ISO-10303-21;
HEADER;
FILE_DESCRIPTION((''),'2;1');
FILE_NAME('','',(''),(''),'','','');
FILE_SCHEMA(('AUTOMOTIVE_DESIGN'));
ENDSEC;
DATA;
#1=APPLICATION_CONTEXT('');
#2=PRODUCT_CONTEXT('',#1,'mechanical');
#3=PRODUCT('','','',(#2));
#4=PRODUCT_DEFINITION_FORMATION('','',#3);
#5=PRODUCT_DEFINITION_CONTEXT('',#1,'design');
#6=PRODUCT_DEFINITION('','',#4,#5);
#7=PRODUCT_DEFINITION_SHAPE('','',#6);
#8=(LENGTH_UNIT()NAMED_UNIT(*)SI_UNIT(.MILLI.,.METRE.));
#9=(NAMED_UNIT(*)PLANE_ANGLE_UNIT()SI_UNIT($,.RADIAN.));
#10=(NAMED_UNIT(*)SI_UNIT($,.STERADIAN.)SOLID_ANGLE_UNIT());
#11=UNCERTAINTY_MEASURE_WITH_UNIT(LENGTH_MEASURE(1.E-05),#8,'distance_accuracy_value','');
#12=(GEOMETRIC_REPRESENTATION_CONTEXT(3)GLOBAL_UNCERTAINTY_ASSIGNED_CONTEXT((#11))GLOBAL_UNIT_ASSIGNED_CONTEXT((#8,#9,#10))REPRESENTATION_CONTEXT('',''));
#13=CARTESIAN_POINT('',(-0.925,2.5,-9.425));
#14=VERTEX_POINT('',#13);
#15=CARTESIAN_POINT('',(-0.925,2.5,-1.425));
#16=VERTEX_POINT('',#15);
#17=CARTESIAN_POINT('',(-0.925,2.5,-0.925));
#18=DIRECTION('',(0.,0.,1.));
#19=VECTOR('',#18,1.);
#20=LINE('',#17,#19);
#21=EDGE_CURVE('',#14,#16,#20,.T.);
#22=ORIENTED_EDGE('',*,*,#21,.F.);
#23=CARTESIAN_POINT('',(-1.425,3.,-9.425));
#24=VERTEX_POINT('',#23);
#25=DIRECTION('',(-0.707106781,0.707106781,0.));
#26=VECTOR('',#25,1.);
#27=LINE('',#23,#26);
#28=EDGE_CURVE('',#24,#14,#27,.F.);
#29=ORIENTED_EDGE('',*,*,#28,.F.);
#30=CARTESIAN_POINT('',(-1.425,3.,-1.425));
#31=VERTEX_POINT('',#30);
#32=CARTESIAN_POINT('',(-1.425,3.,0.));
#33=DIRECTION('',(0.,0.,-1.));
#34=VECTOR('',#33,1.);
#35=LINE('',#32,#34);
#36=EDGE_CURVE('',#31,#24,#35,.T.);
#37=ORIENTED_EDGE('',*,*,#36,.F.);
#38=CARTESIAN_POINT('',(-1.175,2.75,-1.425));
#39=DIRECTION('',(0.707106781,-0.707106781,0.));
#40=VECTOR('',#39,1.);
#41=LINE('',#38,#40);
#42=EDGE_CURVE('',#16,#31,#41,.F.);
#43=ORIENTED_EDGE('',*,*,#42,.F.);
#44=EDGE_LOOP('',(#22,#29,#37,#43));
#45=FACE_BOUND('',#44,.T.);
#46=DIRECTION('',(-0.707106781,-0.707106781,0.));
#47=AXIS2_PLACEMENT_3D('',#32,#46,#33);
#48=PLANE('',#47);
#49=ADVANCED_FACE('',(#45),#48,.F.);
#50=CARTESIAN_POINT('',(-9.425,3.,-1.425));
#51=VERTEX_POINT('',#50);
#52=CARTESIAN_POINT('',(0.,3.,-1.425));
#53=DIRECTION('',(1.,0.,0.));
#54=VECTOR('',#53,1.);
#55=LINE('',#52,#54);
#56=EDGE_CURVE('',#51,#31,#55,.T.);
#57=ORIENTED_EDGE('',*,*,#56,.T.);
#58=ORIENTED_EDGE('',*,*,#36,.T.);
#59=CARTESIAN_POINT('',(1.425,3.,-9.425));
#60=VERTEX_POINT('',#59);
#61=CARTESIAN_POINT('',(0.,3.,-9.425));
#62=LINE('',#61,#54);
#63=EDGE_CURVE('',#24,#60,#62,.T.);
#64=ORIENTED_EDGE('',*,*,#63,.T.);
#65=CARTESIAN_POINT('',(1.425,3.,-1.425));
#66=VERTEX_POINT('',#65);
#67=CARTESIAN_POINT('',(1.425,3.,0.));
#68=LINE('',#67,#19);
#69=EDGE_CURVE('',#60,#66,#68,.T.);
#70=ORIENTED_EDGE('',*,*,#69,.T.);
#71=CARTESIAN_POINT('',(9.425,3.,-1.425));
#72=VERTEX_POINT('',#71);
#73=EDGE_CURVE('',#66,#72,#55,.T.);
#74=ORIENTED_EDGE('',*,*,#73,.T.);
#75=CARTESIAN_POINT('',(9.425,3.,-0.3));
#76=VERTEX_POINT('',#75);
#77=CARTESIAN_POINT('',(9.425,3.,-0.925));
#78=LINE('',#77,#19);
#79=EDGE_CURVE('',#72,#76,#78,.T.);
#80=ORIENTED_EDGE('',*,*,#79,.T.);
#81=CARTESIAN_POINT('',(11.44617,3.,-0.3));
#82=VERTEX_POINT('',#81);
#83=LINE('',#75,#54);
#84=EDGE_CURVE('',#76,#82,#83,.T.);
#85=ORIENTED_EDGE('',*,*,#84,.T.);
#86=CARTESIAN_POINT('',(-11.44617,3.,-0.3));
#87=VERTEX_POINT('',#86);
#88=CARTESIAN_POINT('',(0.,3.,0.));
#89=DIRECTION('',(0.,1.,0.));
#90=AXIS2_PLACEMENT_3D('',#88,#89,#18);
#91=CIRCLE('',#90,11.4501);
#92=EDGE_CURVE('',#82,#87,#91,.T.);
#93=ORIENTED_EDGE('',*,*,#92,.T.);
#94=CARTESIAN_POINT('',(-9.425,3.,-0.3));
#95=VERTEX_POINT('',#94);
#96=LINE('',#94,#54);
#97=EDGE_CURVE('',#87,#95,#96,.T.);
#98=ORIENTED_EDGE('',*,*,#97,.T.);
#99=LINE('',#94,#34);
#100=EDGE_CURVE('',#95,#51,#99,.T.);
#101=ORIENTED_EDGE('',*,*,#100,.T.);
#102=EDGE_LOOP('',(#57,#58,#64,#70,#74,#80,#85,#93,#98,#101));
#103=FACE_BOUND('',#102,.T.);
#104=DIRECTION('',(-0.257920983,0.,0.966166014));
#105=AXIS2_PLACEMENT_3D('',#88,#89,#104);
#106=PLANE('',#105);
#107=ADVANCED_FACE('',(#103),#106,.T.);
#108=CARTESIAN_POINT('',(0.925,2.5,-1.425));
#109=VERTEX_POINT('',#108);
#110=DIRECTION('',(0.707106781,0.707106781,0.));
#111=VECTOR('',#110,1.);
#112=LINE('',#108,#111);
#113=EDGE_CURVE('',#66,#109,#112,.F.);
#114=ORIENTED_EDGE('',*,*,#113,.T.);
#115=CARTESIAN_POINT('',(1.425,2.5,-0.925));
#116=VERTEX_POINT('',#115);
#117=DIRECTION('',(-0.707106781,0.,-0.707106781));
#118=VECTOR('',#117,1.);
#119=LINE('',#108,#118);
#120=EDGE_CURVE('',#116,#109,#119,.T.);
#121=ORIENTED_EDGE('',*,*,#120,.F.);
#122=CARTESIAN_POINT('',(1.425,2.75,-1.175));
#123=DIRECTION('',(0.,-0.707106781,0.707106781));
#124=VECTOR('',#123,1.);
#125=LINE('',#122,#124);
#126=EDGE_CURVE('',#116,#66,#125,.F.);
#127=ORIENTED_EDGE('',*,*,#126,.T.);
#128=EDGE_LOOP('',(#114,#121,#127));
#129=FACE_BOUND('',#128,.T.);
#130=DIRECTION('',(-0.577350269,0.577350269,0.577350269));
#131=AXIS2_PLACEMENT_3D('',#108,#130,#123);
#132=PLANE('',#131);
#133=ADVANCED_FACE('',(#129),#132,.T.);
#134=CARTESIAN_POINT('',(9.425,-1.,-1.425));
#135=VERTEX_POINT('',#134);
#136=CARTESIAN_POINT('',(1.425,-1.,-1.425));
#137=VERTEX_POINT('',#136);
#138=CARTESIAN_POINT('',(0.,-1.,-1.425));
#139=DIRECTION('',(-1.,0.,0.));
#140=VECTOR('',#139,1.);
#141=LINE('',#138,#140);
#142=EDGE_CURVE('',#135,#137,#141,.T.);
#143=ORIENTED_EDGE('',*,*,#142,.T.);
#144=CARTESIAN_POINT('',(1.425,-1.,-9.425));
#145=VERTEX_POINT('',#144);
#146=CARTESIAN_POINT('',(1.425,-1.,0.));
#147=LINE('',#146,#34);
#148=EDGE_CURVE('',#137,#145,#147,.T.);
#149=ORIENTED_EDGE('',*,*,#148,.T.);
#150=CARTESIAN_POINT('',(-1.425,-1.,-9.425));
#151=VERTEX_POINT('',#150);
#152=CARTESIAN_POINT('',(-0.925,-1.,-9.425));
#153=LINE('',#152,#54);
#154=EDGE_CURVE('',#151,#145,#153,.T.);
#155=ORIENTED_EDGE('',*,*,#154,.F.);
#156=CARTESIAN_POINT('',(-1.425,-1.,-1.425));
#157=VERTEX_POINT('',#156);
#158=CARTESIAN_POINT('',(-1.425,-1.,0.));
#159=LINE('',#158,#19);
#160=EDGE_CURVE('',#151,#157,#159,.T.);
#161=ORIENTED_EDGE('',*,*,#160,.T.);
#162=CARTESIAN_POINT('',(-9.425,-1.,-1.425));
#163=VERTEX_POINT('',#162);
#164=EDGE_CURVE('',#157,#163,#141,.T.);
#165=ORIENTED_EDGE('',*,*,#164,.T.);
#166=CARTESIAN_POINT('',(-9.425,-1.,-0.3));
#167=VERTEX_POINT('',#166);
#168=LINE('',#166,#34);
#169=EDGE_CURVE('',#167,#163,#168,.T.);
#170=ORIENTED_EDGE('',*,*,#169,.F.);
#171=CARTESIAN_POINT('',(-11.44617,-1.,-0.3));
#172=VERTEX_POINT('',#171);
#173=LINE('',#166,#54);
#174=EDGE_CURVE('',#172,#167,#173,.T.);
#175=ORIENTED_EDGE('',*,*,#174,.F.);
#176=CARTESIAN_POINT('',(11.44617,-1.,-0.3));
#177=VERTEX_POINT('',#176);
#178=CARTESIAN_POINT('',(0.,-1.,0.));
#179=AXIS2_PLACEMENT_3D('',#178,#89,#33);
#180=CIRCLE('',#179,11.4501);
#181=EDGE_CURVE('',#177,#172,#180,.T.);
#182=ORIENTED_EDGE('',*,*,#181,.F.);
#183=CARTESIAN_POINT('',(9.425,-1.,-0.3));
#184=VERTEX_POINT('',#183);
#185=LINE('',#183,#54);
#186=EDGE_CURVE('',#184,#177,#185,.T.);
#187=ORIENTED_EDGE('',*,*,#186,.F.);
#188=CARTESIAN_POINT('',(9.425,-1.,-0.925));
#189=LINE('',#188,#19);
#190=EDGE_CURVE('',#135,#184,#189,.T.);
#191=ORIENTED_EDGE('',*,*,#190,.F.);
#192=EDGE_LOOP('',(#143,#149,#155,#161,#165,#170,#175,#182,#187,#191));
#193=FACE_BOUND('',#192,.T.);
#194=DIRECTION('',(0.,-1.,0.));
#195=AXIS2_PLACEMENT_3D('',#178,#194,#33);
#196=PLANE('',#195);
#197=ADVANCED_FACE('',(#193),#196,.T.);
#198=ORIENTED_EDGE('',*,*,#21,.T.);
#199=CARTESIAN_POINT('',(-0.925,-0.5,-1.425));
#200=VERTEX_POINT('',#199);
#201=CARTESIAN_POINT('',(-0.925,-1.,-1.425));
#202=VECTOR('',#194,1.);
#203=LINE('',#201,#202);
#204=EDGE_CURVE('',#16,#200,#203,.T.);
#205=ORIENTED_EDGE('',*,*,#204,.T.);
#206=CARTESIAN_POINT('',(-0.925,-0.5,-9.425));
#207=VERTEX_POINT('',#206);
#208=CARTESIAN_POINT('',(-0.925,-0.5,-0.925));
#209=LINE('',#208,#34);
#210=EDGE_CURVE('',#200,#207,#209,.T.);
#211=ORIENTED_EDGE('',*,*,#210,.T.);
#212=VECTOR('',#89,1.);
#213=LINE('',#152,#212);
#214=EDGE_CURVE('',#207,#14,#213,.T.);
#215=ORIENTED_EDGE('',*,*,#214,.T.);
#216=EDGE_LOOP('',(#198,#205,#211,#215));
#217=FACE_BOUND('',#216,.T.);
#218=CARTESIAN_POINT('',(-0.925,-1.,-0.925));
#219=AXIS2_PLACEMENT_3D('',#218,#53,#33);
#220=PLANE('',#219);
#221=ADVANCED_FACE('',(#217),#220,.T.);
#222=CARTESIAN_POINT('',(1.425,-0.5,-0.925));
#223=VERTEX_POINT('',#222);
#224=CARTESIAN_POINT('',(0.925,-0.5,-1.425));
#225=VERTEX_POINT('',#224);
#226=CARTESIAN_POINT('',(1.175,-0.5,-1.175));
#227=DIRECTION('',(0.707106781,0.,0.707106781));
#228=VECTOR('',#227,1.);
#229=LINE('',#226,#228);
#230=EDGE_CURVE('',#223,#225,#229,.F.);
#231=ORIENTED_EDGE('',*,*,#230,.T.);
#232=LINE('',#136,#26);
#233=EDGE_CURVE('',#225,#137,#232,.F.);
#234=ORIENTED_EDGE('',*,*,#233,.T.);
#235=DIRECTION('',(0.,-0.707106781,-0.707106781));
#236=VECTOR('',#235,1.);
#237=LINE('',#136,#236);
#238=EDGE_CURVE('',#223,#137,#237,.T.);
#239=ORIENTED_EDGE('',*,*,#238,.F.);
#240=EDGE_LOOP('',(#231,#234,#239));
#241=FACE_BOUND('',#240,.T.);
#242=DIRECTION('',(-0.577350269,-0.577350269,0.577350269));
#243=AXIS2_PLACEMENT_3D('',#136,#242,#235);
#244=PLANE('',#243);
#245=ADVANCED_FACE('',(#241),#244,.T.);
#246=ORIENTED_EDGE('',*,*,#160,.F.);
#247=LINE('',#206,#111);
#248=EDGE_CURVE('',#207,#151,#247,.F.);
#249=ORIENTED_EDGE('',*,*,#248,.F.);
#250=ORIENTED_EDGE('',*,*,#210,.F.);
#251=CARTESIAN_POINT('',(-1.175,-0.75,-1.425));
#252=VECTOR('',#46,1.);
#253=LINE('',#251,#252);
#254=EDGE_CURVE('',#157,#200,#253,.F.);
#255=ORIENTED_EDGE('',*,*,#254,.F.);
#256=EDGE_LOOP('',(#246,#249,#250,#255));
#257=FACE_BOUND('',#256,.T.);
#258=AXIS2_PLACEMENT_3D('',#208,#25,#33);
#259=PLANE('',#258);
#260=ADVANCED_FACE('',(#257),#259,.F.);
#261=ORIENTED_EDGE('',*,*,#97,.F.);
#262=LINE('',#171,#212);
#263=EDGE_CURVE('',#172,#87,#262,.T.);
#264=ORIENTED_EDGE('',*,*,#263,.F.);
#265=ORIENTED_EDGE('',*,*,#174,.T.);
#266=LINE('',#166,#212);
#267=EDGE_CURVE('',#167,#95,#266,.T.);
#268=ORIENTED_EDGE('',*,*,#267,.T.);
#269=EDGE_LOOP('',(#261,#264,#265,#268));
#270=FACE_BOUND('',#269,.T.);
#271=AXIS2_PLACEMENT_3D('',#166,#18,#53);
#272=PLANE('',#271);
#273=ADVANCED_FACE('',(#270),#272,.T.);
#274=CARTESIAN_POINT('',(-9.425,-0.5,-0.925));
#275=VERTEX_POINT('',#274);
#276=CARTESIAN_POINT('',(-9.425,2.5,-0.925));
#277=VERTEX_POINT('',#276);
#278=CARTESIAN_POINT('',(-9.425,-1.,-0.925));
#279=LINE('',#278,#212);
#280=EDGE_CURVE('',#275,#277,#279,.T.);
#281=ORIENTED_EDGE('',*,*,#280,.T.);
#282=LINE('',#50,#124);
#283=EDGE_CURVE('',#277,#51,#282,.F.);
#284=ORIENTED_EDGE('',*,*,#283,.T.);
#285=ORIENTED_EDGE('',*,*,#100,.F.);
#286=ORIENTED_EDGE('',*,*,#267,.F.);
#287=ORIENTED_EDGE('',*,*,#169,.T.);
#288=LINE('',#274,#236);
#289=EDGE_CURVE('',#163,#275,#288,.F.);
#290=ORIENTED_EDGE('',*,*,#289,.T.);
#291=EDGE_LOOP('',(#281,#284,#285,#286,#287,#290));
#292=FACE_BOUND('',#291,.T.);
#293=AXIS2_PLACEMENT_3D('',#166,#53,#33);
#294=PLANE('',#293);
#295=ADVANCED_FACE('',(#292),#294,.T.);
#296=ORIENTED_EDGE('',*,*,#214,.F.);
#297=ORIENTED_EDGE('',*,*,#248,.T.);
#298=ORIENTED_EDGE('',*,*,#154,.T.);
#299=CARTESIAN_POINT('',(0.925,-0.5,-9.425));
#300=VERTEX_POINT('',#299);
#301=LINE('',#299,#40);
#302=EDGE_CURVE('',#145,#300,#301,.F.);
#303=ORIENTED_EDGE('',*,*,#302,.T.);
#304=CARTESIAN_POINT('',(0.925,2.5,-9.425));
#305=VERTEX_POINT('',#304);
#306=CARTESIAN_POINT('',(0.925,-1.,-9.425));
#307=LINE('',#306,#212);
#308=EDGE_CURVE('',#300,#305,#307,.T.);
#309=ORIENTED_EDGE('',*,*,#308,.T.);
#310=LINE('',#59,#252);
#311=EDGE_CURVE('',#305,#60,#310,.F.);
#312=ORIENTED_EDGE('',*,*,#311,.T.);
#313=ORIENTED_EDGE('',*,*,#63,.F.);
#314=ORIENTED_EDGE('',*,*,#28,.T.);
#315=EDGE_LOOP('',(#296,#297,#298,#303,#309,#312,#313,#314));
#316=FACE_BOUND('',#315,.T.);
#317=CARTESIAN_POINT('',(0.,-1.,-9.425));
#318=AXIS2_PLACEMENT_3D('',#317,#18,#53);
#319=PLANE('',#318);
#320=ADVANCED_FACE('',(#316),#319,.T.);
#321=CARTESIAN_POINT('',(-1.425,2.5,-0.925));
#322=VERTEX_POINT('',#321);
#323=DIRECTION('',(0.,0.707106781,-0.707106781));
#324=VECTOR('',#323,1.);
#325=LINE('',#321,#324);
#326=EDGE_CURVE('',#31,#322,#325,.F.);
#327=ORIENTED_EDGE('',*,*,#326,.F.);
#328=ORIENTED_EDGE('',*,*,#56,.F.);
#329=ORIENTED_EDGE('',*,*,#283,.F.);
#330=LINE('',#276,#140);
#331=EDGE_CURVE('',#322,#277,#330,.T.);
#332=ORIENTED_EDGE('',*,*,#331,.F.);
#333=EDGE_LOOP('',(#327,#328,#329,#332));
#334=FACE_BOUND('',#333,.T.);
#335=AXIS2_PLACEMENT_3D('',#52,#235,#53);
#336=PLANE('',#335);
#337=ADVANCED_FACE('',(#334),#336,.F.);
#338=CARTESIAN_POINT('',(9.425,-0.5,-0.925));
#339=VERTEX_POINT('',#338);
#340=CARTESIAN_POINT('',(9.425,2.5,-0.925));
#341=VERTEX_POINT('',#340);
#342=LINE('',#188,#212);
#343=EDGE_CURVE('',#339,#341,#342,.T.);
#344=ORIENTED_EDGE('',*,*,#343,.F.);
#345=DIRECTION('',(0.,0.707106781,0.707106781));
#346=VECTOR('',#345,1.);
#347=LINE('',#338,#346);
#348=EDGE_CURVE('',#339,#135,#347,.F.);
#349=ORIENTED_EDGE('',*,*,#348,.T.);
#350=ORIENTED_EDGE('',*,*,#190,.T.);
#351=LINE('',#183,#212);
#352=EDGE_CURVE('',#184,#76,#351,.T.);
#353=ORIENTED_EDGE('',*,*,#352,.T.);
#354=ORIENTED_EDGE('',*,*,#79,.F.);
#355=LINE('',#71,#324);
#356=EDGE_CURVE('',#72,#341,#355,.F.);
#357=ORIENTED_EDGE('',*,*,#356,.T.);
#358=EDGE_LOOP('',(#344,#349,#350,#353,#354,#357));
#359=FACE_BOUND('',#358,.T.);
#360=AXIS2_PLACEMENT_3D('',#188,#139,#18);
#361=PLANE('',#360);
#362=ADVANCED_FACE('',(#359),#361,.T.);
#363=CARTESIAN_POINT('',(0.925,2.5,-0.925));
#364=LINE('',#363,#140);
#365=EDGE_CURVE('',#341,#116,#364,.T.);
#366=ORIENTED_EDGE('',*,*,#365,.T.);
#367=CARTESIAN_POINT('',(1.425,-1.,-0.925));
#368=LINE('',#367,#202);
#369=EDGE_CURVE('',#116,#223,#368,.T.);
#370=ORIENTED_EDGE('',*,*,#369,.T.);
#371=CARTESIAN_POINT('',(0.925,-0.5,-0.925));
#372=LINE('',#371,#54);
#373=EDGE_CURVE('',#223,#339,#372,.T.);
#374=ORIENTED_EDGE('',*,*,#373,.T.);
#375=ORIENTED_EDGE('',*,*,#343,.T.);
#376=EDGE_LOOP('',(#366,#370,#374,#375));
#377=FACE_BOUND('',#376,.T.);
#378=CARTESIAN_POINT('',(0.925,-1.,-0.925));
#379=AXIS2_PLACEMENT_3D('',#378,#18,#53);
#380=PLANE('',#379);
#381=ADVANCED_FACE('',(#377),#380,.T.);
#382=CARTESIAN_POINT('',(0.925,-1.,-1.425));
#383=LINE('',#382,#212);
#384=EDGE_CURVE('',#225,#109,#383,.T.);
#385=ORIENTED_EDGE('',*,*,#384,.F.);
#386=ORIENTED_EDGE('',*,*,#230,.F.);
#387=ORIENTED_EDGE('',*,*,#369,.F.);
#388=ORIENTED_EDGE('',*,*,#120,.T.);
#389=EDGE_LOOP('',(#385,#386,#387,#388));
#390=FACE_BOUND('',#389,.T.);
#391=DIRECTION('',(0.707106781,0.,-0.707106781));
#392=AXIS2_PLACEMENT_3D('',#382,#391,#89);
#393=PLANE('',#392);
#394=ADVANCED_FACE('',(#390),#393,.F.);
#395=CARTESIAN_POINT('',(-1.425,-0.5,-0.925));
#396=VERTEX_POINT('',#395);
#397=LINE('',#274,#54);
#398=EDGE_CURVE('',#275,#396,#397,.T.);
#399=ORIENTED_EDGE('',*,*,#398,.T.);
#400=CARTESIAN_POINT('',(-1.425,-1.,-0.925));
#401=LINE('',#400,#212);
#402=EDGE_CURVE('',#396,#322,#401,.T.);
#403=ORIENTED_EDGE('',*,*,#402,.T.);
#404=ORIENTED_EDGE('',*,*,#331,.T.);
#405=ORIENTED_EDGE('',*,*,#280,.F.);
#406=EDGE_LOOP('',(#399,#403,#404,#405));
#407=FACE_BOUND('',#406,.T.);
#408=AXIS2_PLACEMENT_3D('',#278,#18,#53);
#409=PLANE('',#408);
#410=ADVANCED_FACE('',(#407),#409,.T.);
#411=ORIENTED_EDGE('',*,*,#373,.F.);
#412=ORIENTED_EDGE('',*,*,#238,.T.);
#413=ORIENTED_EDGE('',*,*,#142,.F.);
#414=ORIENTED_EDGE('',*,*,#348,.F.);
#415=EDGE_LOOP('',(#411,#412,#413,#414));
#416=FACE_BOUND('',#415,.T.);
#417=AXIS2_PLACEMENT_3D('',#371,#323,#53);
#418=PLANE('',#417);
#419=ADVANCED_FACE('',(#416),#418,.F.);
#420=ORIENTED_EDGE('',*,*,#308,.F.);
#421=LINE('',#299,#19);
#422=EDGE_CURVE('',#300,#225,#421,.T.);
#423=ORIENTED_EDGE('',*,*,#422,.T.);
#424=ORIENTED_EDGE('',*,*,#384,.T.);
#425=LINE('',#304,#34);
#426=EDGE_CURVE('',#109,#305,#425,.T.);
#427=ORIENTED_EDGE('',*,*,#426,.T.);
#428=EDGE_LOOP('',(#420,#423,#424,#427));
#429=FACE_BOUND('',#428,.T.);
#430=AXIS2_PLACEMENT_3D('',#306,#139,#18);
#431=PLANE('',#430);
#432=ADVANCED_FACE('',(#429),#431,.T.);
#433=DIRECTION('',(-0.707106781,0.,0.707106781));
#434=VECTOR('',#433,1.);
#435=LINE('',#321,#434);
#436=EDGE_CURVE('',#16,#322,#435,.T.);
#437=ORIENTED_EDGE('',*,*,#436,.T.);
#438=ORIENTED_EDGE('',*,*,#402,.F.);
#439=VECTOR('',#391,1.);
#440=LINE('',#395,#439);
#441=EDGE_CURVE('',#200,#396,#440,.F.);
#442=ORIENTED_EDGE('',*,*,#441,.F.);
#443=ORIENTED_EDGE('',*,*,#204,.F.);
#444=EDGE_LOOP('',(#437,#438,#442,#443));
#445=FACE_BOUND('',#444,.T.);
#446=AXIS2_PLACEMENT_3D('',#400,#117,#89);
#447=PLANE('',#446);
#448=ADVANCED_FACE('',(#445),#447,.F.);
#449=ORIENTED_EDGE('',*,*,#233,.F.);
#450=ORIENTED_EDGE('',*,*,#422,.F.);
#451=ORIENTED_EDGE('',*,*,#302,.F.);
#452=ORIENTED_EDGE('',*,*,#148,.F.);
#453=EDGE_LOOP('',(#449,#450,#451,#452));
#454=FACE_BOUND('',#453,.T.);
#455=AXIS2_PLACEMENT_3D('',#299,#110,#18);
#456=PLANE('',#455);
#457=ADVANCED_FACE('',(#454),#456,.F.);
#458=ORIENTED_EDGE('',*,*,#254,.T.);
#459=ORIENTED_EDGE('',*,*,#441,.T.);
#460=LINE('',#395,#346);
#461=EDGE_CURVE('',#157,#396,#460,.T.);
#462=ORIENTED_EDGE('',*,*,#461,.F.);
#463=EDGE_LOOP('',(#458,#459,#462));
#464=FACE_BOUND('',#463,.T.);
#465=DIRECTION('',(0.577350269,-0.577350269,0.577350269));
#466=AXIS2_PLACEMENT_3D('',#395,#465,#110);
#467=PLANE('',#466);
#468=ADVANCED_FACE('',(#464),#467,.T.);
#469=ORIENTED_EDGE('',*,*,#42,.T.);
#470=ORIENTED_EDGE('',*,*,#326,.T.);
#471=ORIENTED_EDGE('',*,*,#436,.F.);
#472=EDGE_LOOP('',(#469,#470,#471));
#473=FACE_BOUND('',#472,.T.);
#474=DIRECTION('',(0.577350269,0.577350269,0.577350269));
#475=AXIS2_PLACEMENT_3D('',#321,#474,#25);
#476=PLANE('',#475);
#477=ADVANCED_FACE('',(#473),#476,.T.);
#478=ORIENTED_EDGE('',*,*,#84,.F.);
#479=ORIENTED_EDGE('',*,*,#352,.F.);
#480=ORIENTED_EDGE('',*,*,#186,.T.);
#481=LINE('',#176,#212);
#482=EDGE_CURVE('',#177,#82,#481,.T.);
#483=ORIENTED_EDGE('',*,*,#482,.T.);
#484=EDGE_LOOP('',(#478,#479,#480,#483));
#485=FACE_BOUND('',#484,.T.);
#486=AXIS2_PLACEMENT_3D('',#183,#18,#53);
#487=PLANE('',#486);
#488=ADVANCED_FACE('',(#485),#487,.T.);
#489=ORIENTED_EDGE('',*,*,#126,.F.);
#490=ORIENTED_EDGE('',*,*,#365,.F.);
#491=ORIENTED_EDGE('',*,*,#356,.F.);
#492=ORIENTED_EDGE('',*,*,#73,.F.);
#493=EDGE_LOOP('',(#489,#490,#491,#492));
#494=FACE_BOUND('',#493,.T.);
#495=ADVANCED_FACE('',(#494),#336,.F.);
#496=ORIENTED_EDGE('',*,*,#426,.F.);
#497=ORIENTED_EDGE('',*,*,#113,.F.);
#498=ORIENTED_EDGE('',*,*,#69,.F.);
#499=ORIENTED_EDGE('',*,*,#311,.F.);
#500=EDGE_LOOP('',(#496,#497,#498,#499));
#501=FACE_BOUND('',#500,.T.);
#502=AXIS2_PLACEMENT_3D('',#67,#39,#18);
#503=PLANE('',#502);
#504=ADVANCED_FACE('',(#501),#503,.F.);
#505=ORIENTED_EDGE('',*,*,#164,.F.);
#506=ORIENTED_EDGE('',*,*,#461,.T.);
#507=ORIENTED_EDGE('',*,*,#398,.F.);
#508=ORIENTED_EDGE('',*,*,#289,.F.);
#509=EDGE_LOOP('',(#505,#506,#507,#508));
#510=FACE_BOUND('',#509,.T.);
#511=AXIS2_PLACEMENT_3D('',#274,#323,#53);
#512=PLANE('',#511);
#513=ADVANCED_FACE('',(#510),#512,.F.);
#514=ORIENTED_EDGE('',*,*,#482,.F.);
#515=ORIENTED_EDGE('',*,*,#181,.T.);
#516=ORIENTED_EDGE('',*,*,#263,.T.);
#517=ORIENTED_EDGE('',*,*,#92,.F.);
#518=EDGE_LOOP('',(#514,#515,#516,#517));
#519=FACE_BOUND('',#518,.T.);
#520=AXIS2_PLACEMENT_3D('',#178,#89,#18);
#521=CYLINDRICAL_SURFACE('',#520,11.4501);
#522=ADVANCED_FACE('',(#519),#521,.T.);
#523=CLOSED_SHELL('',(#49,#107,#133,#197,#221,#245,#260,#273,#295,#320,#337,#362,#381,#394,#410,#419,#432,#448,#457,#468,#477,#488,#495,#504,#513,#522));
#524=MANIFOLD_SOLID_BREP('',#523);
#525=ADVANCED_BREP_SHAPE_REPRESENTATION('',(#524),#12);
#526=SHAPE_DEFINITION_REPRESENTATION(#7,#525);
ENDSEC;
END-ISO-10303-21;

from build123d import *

# Parameters (mm, degrees)
BOSS_EXTRUDE1_DEPTH      = 3
BOSS_EXTRUDE1_DEPTH_BACK = 1
CHAMFER1_SIZE            = 0.5


with BuildPart() as part:
    # Sketch2 → Boss-Extrude1 (new, two sides: drawn at the far end of the back side and taken through both)
    with BuildSketch(Plane(origin=(0, 0, 0), x_dir=(1, 0, 0), z_dir=(0, 1, 0)).offset(-BOSS_EXTRUDE1_DEPTH_BACK)):
        with BuildLine():
            Line((-9.425, 0.3), (-9.425, 0.925))
            Line((-9.425, 0.925), (-0.925, 0.925))
            Line((-0.925, 0.925), (-0.925, 9.425))
            Line((-0.925, 9.425), (0, 9.425))
            Line((0, 9.425), (0.925, 9.425))
            Line((0.925, 9.425), (0.925, 0.925))
            Line((0.925, 0.925), (9.425, 0.925))
            Line((9.425, 0.925), (9.425, 0.3))
            Line((9.425, 0.3), (11.446169588, 0.3))
            ThreePointArc((11.446169588, 0.3), (0, 11.45010036), (-11.446169588, 0.3))
            Line((-11.446169588, 0.3), (-9.425, 0.3))
        make_face()
    extrude(amount=BOSS_EXTRUDE1_DEPTH + BOSS_EXTRUDE1_DEPTH_BACK)

    # Chamfer1
    chamfer1_edges = [part.edges().sort_by_distance(p)[0] for p in [
        (-5.175, -1, -0.925),
        (-0.925, -1, -5.175),
        (0.925, 1, -0.925),
        (-0.925, 1, -0.925),
        (0.925, -1, -5.175),
        (-5.175, 3, -0.925),
        (-0.925, 3, -5.175),
        (0.925, 3, -5.175),
        (5.175, 3, -0.925),
        (5.175, -1, -0.925),
    ]]
    chamfer(chamfer1_edges, length=CHAMFER1_SIZE)


solid = part.part
